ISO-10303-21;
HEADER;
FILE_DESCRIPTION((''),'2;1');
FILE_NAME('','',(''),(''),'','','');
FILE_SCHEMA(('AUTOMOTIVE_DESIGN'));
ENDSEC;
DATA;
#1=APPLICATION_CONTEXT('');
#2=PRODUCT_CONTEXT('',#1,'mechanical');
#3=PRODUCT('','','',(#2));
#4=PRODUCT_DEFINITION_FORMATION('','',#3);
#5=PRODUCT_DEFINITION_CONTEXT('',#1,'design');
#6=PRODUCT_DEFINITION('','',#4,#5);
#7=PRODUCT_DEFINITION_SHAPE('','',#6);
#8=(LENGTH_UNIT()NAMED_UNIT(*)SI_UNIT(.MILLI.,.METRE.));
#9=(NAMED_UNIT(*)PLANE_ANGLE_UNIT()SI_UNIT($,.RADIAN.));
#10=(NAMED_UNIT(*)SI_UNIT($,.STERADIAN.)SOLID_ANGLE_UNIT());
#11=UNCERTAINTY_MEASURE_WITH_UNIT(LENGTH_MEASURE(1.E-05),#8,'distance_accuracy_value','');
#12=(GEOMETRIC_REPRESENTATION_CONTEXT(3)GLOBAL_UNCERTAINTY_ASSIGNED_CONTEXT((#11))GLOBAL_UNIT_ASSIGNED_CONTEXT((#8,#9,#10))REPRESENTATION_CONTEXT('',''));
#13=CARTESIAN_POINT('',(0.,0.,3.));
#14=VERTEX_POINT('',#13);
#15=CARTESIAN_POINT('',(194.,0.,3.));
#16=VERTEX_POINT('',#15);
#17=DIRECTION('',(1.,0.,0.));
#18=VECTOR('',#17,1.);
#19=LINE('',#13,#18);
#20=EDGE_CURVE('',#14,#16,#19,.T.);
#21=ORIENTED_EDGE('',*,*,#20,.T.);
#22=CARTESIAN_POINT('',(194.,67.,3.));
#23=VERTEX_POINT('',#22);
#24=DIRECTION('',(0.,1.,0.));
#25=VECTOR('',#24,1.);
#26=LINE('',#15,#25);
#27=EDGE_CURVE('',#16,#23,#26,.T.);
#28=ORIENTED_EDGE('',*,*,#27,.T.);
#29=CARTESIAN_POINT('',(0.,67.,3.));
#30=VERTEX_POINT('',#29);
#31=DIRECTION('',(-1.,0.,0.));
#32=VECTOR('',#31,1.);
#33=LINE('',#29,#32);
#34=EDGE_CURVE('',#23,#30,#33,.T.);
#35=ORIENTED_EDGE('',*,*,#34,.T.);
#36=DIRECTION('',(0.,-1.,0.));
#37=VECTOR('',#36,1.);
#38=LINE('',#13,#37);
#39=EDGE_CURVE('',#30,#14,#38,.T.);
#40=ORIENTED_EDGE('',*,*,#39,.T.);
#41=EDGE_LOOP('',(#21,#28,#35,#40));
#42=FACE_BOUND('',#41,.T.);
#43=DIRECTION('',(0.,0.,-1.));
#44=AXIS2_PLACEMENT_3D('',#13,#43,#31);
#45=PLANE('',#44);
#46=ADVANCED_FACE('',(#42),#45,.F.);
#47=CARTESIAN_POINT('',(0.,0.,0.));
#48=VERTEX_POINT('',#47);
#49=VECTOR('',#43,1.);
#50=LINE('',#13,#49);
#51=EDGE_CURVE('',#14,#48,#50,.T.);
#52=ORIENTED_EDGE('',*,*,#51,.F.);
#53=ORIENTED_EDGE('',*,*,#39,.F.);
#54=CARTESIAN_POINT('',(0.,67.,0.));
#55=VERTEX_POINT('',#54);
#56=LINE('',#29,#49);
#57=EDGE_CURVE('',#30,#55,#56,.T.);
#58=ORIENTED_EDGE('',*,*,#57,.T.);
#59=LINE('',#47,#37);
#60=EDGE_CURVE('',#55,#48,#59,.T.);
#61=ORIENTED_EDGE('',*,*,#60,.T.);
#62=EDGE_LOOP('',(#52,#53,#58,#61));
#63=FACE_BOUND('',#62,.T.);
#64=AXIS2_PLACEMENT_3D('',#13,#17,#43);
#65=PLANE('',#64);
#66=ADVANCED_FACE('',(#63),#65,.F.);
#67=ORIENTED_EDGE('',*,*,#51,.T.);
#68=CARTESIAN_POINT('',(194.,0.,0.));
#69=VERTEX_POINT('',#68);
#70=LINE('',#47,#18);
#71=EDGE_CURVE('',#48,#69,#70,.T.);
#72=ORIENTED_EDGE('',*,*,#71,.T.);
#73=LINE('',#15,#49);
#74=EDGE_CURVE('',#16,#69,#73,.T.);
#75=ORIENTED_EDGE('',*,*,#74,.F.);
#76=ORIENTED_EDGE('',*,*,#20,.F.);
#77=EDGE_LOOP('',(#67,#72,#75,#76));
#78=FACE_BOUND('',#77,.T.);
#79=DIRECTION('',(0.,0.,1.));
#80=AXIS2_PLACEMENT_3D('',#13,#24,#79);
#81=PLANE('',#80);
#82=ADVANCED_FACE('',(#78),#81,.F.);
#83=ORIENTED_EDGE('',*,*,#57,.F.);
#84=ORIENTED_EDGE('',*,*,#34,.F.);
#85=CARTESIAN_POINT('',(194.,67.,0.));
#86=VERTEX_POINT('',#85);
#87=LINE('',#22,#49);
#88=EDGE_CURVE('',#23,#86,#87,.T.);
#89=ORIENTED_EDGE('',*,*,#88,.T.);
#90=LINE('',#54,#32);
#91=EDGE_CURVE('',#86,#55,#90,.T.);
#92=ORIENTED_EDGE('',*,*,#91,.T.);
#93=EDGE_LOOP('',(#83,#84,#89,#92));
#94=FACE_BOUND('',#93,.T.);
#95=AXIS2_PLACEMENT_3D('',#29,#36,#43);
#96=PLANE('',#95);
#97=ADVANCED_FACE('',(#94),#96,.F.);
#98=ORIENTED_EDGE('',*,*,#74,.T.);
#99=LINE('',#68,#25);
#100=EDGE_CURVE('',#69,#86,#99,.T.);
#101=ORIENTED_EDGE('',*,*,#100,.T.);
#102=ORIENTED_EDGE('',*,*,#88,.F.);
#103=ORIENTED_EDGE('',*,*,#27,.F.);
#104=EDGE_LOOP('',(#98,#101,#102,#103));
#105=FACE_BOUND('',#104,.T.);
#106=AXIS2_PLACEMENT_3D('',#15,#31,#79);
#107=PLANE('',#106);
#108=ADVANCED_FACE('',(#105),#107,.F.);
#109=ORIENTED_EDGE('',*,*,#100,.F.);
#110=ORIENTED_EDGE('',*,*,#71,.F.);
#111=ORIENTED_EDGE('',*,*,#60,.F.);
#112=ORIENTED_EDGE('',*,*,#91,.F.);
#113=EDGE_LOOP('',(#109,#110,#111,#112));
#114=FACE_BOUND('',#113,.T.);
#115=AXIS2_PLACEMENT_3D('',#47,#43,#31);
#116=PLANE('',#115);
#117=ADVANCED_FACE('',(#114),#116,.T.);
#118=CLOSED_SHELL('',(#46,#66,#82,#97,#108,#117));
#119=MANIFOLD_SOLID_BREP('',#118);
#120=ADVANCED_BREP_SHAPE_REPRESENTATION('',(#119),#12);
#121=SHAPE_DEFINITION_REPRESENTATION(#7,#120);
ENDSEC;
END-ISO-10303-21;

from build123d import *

# Parameters (mm, degrees)
SKETCH1_W     = 194
SKETCH1_H     = 67
PROFILE_DEPTH = 3


with BuildPart() as part:
    # Sketch1 → Profile (new body)
    with BuildSketch(Plane.XY):
        with Locations((97, 33.5)):
            Rectangle(SKETCH1_W, SKETCH1_H)
    extrude(amount=PROFILE_DEPTH)


solid = part.part
